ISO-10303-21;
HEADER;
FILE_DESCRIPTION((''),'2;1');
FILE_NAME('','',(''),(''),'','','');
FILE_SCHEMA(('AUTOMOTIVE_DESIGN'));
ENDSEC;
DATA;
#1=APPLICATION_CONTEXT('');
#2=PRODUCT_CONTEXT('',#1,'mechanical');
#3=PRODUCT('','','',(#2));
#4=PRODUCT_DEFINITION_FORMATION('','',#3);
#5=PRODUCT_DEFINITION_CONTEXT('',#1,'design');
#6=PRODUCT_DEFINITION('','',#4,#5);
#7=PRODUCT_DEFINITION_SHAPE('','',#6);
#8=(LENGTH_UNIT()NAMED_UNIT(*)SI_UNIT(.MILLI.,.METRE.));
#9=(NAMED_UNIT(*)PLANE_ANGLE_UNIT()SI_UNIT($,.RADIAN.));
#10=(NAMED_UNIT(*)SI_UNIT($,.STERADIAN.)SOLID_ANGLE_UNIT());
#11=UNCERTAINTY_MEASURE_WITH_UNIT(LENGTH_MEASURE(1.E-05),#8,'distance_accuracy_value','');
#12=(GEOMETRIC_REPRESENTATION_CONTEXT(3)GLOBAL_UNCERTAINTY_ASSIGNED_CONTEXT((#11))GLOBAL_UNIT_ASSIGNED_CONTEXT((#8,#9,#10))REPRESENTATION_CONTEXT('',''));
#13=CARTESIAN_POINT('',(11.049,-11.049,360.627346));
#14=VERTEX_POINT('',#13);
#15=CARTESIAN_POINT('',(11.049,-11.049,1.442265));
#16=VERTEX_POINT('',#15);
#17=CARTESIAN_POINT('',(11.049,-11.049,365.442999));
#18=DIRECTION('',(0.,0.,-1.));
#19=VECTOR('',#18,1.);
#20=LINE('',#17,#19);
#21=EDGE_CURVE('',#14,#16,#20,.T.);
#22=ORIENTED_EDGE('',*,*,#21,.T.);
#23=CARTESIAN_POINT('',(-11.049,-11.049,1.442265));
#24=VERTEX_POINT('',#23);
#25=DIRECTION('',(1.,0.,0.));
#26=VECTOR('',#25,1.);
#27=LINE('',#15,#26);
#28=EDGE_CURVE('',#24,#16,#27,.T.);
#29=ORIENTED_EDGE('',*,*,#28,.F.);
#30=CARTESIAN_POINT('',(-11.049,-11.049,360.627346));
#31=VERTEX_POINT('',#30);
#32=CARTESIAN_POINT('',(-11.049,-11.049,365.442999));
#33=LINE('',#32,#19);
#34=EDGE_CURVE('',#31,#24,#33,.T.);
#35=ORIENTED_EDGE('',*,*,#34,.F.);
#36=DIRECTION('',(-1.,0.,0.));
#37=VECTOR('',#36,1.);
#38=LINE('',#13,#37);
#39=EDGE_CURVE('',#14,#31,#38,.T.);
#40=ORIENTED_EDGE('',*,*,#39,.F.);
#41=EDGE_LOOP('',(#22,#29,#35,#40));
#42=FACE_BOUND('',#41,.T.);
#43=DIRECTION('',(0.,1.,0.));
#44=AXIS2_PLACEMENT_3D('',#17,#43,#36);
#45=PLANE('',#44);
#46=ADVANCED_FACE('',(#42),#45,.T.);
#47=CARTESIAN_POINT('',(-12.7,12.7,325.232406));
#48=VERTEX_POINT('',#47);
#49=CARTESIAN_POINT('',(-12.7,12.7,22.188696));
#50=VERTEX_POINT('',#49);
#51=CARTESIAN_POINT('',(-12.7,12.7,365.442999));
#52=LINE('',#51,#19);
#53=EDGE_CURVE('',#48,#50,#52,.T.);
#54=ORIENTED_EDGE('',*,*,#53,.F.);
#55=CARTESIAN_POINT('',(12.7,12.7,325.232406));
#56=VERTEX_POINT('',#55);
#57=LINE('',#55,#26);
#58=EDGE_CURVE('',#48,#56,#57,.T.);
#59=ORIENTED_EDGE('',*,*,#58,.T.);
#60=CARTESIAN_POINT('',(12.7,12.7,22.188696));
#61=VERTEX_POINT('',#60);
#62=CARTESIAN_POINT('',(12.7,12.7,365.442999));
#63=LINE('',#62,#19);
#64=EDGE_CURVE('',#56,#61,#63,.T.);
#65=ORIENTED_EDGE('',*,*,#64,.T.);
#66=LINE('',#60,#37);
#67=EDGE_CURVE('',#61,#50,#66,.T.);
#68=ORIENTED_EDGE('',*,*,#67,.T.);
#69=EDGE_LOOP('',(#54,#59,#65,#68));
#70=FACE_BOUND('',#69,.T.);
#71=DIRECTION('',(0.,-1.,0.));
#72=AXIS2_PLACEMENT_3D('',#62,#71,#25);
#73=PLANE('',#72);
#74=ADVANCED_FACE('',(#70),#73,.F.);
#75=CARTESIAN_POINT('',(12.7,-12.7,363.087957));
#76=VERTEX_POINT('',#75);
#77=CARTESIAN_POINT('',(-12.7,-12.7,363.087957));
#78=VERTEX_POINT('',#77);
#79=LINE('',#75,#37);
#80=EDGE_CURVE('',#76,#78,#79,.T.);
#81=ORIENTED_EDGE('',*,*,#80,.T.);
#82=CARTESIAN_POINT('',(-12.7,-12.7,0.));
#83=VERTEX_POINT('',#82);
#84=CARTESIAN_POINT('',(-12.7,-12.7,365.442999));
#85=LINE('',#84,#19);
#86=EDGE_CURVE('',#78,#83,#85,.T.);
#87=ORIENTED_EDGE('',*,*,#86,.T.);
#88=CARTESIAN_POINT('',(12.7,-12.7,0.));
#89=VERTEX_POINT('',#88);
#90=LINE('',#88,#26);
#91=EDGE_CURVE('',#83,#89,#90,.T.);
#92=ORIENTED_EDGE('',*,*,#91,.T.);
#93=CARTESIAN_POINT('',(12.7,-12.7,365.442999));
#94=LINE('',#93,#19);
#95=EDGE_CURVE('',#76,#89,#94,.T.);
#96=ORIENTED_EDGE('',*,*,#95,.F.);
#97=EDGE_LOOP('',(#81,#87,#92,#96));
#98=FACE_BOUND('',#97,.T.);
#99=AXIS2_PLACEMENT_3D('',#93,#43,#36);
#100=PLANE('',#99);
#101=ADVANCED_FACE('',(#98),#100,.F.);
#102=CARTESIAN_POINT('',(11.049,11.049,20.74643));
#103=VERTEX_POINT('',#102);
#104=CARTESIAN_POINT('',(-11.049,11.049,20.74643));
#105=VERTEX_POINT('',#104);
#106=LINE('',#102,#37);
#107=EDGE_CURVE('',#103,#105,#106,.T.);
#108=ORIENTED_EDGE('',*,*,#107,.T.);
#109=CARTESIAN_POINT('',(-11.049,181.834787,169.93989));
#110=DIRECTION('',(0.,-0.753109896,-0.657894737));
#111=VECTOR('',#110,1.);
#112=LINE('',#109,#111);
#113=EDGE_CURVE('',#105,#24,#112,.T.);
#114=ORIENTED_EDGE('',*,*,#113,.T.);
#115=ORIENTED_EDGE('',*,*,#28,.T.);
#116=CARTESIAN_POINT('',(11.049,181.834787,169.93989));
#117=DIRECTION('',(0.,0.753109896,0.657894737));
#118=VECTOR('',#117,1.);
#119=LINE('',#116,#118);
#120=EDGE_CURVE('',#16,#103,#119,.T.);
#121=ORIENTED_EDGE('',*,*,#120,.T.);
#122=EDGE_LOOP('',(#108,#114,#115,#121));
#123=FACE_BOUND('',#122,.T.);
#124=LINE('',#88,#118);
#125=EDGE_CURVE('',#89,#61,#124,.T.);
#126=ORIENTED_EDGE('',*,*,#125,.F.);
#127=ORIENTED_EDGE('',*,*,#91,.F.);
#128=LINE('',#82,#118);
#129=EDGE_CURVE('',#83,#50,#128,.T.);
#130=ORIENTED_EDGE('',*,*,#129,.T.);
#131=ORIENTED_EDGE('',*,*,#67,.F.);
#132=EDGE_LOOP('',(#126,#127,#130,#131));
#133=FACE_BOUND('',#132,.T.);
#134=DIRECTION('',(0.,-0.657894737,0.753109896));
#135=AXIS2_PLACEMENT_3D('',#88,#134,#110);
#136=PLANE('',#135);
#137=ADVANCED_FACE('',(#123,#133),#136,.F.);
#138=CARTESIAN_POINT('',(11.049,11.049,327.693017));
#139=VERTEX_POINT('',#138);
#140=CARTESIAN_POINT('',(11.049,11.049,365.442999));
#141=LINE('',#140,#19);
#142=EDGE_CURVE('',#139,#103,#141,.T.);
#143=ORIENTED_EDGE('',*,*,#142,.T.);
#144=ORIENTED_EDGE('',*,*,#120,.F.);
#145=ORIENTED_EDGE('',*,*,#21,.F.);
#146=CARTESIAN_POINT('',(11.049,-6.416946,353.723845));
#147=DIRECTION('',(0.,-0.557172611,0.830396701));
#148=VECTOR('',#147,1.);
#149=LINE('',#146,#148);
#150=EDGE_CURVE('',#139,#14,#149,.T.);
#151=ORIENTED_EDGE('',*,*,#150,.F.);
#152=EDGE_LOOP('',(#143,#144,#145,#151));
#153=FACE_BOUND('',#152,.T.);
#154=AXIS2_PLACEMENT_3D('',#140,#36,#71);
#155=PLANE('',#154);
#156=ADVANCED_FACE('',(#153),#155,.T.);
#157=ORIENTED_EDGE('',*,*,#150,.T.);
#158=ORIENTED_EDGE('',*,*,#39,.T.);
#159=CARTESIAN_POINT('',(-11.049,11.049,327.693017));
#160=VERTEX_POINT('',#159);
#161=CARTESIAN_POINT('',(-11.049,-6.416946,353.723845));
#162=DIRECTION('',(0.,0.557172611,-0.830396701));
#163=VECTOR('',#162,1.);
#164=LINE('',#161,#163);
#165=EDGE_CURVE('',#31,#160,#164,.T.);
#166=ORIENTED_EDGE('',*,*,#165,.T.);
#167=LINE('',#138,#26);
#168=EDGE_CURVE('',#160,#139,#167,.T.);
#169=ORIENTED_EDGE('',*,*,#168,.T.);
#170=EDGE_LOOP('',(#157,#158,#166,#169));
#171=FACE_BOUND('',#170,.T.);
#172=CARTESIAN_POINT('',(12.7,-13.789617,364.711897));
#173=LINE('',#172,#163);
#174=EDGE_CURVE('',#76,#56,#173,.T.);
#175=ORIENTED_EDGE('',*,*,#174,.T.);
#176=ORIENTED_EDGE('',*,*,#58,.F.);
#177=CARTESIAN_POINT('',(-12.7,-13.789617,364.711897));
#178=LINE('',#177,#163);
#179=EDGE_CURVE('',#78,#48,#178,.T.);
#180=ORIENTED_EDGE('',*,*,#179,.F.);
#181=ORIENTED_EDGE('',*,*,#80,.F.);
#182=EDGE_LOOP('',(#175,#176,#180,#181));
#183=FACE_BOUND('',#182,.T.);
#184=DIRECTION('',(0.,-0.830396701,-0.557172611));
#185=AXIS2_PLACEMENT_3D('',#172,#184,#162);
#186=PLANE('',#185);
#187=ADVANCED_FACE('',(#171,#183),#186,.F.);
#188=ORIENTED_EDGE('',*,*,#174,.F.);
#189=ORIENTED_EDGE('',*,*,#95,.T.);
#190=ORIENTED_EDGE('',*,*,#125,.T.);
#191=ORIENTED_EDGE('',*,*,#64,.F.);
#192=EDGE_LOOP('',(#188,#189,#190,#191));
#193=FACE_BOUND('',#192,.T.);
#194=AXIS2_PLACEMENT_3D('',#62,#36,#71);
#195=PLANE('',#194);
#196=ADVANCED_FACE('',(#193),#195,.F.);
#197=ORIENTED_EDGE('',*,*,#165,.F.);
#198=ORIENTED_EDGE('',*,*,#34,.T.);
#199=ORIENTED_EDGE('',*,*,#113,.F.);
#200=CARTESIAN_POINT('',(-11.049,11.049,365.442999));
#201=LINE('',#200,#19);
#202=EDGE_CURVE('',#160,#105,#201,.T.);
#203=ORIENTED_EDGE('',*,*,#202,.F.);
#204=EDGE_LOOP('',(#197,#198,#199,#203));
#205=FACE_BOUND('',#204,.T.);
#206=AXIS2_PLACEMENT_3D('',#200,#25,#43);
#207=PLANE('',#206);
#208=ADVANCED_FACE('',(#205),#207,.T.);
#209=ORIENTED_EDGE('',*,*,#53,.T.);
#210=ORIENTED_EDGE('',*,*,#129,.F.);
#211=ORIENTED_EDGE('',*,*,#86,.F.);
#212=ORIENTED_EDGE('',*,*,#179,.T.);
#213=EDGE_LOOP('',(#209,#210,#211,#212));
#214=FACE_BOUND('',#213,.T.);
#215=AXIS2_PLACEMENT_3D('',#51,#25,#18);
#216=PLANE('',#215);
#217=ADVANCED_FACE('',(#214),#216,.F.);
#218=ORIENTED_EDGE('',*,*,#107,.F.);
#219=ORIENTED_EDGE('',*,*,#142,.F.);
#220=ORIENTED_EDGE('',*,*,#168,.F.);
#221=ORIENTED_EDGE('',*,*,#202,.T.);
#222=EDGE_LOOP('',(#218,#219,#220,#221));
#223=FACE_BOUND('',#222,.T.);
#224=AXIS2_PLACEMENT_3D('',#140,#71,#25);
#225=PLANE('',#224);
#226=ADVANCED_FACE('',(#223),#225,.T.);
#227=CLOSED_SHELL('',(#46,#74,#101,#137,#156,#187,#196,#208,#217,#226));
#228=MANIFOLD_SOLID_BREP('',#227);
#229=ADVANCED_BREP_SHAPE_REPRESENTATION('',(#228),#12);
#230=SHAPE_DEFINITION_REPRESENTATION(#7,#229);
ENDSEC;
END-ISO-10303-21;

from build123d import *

# Parameters (mm, degrees)
SKETCH1_W           = 25.4
SKETCH1_H           = 25.4
SKETCH1_W_2         = 22.098
SKETCH1_H_2         = 22.098
BOSS_EXTRUDE1_DEPTH = 365.442999
SKETCH5_W           = 25.4
SKETCH5_H           = 25.4
CUT_EXTRUDE2_DEPTH  = 244.121497904
CUT_EXTRUDE3_DEPTH  = 26.4


with BuildPart() as part:
    # Sketch1 → Boss-Extrude1 (new body)
    with BuildSketch(Plane.XY):
        Rectangle(SKETCH1_W, SKETCH1_H)
        Rectangle(SKETCH1_W_2, SKETCH1_H_2, mode=Mode.SUBTRACT)
    extrude(amount=BOSS_EXTRUDE1_DEPTH)

    # Sketch5 → Cut-Extrude2 (cut, through all)
    with BuildSketch(Plane(origin=(0, 132.21706056, 169.900698991), x_dir=(-1, 0, 0), z_dir=(0, 0.557172611, -0.830396701))):
        Rectangle(SKETCH5_W, SKETCH5_H)
    extrude(amount=-CUT_EXTRUDE2_DEPTH, mode=Mode.SUBTRACT)

    # Sketch6 → Cut-Extrude3 (cut, through all)
    with BuildSketch(Plane.ZY.offset(12.7)):
        Polygon((0, -12.7), (25.987122875, 17.048162291), (0, 20.823213659), align=None)
    extrude(amount=-CUT_EXTRUDE3_DEPTH, mode=Mode.SUBTRACT)


solid = part.part
